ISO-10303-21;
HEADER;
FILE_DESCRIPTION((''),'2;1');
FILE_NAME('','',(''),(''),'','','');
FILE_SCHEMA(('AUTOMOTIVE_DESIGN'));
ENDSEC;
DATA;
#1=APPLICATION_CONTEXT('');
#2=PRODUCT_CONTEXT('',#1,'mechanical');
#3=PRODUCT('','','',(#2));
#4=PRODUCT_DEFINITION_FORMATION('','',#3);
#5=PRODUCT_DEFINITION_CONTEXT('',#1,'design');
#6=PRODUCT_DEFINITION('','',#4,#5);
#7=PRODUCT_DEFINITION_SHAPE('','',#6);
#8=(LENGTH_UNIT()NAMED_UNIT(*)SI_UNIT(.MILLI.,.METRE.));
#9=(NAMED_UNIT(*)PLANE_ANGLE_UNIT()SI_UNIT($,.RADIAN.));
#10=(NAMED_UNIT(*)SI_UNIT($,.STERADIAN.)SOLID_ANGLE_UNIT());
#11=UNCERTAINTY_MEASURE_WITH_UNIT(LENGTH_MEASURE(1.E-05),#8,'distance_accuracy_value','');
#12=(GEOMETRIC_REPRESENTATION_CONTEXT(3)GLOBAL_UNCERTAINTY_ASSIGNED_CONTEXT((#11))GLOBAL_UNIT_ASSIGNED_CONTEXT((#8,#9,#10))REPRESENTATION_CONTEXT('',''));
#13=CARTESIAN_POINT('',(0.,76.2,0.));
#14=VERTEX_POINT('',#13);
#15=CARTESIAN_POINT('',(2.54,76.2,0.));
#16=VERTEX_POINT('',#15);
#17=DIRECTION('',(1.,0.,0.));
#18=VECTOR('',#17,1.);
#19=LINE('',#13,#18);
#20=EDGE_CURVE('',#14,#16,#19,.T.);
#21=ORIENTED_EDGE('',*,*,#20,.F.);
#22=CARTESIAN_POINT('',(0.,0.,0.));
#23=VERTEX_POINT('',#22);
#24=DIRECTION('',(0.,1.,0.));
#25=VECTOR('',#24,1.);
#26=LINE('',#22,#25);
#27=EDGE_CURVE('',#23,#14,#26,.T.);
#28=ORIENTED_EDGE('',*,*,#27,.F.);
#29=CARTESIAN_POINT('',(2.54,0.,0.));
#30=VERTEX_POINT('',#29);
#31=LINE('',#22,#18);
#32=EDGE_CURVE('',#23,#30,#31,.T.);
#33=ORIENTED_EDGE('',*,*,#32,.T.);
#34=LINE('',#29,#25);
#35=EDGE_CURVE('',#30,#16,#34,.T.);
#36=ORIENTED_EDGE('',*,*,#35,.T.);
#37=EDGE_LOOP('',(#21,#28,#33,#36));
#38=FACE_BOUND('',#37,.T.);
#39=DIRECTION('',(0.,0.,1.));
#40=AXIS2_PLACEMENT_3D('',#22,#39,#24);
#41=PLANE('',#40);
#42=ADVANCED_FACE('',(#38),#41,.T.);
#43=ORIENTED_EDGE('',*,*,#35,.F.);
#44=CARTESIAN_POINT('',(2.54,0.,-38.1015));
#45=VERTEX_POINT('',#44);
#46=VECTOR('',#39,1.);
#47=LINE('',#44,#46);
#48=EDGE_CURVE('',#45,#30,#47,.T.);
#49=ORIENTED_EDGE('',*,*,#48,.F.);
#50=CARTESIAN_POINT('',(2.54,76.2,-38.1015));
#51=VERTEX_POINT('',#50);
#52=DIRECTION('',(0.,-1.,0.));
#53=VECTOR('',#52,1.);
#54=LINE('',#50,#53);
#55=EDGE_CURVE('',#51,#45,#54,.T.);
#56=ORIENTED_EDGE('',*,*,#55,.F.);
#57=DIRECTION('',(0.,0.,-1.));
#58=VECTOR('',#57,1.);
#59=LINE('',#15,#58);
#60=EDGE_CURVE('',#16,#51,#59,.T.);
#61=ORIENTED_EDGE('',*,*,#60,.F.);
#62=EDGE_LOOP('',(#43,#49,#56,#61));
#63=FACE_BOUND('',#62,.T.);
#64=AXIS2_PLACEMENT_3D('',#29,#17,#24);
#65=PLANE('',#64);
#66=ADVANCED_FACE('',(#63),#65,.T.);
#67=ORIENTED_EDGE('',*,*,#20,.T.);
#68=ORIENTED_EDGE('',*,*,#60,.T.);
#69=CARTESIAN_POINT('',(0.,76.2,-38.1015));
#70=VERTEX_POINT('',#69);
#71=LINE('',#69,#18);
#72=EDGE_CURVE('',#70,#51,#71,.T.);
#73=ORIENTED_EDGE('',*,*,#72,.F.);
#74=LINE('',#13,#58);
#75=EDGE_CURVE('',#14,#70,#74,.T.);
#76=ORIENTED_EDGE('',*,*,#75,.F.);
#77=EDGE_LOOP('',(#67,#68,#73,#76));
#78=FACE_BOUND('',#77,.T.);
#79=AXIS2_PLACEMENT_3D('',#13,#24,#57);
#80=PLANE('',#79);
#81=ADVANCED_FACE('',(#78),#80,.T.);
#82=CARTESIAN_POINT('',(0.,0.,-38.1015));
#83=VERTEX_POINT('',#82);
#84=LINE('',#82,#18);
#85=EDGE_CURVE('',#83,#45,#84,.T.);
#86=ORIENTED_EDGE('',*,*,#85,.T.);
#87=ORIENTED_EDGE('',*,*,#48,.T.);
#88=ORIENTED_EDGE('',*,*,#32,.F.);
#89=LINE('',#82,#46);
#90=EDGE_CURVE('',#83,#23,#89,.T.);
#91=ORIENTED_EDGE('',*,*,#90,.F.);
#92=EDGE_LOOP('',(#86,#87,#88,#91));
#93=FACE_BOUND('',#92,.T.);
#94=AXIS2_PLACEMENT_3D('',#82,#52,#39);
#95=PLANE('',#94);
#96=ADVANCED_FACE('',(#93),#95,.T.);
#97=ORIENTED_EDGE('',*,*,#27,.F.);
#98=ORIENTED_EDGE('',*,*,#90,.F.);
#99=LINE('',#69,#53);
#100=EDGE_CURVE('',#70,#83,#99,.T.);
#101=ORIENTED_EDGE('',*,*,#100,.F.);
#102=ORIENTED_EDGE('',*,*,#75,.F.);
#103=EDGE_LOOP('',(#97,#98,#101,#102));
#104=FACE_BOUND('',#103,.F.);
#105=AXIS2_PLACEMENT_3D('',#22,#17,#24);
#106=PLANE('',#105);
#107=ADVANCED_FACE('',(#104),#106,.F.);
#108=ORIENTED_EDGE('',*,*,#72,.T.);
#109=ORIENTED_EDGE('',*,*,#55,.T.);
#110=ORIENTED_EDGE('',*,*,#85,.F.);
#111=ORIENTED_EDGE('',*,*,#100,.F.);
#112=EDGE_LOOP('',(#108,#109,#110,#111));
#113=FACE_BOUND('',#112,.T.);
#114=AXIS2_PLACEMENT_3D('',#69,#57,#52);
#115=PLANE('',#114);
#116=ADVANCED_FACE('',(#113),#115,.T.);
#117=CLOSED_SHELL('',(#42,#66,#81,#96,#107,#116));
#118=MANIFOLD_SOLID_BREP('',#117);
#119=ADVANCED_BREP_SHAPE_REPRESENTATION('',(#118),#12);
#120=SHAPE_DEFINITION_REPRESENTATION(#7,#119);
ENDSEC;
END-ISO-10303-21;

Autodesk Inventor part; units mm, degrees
ref_plane "YZ Plane" through (0, 0, 0) normal (1, 0, 0) x (0, 1, 0)
ref_plane "XZ Plane" through (0, 0, 0) normal (0, 1, 0) x (-1, 0, 0)
ref_plane "XY Plane" through (0, 0, 0) normal (0, 0, 1) x (1, 0, 0)
sketch "Sketch1" plane through (0, 0, 0) normal (1, 0, 0) x (0, 1, 0)
  line L0 (0, 0) -> (76.2, 0)
  line L1 (76.2, 0) -> (76.2, -38.1015)
  line L2 (76.2, -38.1015) -> (0, -38.1015)
  line L3 (0, -38.1015) -> (0, 0)
  dimension "d0" = 76.2
extrude "Extrusion1" add sketch "Sketch1" along normal blind 2.54
